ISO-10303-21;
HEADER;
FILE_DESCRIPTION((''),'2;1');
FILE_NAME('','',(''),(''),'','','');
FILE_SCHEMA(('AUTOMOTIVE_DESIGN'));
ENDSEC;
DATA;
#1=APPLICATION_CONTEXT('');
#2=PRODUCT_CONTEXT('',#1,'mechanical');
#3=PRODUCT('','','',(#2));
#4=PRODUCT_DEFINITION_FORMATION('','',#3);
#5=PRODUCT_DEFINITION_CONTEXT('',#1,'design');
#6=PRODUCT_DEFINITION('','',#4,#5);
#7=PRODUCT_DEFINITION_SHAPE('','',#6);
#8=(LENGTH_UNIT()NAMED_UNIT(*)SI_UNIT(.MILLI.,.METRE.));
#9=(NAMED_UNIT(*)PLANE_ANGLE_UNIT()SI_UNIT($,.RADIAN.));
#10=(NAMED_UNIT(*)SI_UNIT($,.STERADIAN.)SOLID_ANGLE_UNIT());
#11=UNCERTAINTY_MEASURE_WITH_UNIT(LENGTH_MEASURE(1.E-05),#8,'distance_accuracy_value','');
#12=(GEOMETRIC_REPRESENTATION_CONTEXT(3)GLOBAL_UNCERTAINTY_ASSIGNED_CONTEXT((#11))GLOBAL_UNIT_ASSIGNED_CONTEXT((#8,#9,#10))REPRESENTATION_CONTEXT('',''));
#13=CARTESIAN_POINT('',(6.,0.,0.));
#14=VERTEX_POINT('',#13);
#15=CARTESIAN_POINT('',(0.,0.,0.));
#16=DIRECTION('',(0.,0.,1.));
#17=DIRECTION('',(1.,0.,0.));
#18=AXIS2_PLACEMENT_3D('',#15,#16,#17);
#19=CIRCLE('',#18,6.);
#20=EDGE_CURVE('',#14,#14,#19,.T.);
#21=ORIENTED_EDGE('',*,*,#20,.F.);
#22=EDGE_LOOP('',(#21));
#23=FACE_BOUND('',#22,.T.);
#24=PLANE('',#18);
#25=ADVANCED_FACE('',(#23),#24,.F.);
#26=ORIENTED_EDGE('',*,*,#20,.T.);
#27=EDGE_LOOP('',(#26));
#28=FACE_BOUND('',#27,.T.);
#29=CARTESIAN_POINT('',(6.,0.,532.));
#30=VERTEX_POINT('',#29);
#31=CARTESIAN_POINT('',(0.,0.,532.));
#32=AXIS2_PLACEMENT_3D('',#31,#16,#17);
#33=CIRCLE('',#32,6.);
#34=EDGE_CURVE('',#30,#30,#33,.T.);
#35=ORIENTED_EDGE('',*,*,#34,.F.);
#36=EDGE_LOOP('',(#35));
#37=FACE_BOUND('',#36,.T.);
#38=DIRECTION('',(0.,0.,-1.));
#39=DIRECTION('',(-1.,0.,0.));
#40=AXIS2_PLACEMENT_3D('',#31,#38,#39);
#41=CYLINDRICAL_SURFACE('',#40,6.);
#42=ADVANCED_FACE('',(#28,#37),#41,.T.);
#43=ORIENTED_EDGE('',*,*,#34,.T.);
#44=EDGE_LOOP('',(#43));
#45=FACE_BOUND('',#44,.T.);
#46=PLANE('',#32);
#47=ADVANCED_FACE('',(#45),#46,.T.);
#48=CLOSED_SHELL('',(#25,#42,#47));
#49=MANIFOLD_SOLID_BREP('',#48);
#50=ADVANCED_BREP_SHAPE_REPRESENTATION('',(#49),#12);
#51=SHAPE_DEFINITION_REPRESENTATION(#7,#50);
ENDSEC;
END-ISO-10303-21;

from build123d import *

# Parameters (mm, degrees)
IZIM1_R                     = 6
Y_KSEKLIK_EKSTR_ZYON1_DEPTH = 532


with BuildPart() as part:
    # Çizim1 → Yükseklik-Ekstrüzyon1 (new body)
    with BuildSketch(Plane.XY):
        Circle(IZIM1_R)
    extrude(amount=Y_KSEKLIK_EKSTR_ZYON1_DEPTH)


solid = part.part
